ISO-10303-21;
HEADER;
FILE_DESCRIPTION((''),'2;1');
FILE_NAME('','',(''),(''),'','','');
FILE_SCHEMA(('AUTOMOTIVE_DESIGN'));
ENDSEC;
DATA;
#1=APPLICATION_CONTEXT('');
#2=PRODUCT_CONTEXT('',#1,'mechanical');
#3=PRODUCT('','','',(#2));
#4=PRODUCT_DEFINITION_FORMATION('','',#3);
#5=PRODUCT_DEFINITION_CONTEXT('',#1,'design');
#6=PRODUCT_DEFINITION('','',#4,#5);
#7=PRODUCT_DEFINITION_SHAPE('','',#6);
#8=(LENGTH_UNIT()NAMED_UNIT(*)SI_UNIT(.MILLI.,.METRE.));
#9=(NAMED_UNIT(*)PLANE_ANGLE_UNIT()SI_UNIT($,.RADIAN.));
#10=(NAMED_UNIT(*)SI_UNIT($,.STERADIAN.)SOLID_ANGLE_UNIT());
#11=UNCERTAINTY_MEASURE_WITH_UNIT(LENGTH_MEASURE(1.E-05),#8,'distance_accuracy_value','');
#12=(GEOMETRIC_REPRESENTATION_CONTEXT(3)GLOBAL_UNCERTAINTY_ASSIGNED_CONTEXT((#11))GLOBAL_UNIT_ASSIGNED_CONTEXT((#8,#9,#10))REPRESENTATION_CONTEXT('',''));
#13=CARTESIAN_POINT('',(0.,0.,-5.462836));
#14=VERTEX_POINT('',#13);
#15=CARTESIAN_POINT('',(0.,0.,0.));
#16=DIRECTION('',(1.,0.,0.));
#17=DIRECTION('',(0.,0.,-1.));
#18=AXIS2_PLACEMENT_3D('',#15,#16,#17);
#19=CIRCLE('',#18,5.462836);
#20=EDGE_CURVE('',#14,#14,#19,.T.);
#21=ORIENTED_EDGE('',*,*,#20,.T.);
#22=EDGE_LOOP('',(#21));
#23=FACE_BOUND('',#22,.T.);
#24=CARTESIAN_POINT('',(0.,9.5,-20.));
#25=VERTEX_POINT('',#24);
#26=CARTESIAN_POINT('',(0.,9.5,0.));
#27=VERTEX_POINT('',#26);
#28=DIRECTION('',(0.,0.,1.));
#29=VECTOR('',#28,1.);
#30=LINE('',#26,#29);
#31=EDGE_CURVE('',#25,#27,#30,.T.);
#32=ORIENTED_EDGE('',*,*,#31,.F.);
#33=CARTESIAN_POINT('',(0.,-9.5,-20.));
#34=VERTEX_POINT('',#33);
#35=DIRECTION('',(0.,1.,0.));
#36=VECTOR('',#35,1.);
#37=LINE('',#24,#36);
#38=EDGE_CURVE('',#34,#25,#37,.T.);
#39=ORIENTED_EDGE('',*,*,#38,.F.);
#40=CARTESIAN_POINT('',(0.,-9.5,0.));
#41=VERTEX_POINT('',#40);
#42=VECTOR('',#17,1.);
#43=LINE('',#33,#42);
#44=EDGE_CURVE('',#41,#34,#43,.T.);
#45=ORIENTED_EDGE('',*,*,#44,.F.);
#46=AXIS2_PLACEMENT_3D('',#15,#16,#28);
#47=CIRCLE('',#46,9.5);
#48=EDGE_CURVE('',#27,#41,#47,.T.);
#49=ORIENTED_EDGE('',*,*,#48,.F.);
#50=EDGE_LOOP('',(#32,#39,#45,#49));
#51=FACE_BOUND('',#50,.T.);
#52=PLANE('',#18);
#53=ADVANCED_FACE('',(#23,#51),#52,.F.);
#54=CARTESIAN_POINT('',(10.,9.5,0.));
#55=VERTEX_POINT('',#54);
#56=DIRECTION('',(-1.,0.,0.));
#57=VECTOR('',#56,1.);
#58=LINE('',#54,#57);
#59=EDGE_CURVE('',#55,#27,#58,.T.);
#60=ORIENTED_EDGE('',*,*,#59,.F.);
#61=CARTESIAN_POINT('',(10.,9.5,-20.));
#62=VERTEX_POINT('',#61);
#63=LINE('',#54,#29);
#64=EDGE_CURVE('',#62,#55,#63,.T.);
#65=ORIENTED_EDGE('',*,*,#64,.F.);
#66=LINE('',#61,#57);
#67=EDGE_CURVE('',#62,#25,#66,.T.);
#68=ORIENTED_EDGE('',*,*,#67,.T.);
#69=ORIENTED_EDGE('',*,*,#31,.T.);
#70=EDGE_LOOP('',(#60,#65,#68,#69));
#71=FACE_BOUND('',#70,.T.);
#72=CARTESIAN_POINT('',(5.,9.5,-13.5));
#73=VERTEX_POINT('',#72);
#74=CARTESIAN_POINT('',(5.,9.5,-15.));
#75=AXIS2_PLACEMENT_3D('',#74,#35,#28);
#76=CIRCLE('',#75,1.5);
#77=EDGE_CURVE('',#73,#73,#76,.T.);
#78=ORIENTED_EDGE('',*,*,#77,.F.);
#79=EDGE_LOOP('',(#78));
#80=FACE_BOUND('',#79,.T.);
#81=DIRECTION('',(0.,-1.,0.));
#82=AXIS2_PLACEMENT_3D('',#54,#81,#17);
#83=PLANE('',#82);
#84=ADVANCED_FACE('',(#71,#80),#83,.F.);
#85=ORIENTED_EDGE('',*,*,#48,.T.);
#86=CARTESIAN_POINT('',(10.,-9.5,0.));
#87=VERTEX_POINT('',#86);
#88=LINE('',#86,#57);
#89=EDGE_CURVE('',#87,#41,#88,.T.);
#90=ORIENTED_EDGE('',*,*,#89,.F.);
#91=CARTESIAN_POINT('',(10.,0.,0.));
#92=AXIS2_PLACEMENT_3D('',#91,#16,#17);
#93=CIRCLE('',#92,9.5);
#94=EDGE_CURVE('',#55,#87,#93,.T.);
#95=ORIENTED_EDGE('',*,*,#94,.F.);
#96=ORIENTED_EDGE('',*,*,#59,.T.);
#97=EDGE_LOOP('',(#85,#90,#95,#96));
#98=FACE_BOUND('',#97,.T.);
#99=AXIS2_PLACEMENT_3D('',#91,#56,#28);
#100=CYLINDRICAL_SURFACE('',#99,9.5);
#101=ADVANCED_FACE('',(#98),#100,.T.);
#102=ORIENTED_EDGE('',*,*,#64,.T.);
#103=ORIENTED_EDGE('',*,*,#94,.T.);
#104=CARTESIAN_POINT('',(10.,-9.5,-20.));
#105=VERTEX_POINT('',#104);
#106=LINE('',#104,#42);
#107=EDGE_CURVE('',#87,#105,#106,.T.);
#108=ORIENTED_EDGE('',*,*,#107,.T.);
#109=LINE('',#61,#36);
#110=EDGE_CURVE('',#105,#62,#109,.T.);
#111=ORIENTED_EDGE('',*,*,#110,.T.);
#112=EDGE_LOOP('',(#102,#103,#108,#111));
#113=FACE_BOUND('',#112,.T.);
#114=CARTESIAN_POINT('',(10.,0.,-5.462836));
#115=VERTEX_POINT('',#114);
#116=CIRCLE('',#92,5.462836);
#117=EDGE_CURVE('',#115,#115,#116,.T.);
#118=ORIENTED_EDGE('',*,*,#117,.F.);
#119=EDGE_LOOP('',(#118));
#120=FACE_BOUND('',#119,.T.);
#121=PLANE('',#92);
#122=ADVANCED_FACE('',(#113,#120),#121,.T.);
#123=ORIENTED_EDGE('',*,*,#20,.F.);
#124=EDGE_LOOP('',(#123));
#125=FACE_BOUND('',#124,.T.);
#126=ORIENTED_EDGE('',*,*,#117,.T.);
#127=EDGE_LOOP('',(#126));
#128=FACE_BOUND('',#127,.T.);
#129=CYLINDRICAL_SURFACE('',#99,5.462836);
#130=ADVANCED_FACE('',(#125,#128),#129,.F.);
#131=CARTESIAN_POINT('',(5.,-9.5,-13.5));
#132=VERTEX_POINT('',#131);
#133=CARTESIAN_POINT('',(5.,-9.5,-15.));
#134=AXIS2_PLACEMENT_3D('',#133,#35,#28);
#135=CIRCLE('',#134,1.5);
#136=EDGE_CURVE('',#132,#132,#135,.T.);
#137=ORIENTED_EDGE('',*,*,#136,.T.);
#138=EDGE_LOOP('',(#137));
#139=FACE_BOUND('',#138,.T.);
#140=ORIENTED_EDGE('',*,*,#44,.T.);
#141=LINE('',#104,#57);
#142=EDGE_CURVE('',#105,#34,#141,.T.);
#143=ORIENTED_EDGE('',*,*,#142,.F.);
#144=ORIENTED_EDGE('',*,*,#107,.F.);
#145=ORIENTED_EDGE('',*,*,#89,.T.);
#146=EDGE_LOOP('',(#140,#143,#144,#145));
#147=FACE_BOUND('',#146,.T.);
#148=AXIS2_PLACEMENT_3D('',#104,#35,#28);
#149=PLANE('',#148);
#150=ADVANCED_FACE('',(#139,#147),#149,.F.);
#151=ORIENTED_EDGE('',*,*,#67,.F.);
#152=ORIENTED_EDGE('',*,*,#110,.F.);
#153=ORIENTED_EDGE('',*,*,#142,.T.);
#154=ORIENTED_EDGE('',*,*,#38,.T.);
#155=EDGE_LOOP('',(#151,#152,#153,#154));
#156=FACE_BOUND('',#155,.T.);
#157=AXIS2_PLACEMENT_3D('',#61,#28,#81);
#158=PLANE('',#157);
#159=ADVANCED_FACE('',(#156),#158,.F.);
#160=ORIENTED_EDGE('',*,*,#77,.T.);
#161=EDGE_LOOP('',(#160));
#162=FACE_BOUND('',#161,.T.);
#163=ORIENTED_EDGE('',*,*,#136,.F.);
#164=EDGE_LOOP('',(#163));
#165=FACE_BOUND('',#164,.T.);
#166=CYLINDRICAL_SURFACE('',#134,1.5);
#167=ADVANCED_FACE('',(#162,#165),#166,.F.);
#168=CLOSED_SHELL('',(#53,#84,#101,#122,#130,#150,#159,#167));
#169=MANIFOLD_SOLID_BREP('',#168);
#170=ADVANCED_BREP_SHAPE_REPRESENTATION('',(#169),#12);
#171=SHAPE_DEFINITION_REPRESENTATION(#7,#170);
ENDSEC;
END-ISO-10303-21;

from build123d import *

# Parameters (mm, degrees)
SKETCH_1_R          = 5.462836395
EXTRUDE_1_DEPTH     = 10
SKETCH_2_R          = 1.5
CUT_EXTRUDE_1_DEPTH = 30.342801502


with BuildPart() as part:
    # 草图1 → 凸台-拉伸1 (new body)
    with BuildSketch(Plane(origin=(0, 0, 0), x_dir=(0, 0, -1), z_dir=(1, 0, 0))):
        with BuildLine():
            Line((0, 9.5), (20, 9.5))
            Line((20, 9.5), (20, -9.5))
            Line((20, -9.5), (0, -9.5))
            ThreePointArc((0, -9.5), (-6.717514421, -6.717514421), (-9.5, 0))
            ThreePointArc((-9.5, 0), (-6.717514421, 6.717514421), (0, 9.5))
        make_face()
        Circle(SKETCH_1_R, mode=Mode.SUBTRACT)
    extrude(amount=EXTRUDE_1_DEPTH)

    # 草图2 → 切除-拉伸1 (cut, through all)
    with BuildSketch(Plane(origin=(0, 9.5, 0), x_dir=(1, 0, 0), z_dir=(0, 1, 0))):
        with Locations(Location((5, 15, 0), (0, 0, 270))):
            Circle(SKETCH_2_R)
    extrude(amount=-CUT_EXTRUDE_1_DEPTH, mode=Mode.SUBTRACT)


solid = part.part
